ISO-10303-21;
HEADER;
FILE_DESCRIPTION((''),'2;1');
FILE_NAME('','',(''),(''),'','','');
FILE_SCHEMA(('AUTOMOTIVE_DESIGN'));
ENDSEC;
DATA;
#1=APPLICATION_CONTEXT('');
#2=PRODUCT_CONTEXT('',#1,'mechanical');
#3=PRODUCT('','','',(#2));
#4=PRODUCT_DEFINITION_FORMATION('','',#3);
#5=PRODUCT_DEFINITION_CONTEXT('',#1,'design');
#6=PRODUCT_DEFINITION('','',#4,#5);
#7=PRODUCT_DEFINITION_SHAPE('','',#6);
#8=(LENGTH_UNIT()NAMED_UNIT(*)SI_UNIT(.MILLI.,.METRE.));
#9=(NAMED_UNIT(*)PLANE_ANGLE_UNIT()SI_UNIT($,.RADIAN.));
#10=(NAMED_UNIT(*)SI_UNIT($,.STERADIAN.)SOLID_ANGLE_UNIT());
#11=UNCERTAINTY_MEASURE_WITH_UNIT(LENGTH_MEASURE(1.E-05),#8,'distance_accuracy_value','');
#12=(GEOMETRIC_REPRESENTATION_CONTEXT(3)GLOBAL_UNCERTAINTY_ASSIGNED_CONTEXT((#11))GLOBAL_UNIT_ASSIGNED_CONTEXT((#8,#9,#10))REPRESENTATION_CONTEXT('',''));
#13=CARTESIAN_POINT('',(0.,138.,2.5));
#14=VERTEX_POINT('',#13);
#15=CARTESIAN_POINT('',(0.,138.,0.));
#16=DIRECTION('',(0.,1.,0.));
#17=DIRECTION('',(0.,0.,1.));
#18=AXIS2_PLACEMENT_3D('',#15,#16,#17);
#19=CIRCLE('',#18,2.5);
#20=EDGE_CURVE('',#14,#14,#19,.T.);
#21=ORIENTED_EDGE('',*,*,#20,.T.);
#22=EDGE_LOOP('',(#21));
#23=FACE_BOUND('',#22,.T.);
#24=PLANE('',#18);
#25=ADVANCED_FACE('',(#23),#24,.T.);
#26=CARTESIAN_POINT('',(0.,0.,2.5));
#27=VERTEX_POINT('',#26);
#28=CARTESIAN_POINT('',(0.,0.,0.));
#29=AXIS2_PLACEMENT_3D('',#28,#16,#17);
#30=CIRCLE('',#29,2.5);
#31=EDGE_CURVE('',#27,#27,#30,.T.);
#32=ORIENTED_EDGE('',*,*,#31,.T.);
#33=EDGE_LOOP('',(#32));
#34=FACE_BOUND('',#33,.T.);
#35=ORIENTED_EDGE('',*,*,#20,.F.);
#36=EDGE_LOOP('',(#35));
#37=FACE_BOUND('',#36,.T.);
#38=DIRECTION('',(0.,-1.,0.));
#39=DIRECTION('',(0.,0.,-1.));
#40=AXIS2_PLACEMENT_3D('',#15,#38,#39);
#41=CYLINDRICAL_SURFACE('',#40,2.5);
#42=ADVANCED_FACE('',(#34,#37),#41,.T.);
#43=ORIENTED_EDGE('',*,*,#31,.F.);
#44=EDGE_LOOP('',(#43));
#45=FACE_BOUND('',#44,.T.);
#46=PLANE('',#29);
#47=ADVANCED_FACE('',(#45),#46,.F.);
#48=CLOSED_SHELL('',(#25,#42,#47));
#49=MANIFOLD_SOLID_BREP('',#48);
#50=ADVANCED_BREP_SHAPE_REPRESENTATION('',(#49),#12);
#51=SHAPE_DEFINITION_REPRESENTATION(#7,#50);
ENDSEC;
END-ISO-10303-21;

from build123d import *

# Parameters (mm, degrees)
SKETCH1_R  = 2.5
BODY_DEPTH = 138


with BuildPart() as part:
    # Sketch1 → Body (new body)
    with BuildSketch(Plane(origin=(0, 0, 0), x_dir=(1, 0, 0), z_dir=(0, 1, 0))):
        with Locations(Location((0, 0, 0), (0, 0, 270))):
            Circle(SKETCH1_R)
    extrude(amount=BODY_DEPTH)


solid = part.part
